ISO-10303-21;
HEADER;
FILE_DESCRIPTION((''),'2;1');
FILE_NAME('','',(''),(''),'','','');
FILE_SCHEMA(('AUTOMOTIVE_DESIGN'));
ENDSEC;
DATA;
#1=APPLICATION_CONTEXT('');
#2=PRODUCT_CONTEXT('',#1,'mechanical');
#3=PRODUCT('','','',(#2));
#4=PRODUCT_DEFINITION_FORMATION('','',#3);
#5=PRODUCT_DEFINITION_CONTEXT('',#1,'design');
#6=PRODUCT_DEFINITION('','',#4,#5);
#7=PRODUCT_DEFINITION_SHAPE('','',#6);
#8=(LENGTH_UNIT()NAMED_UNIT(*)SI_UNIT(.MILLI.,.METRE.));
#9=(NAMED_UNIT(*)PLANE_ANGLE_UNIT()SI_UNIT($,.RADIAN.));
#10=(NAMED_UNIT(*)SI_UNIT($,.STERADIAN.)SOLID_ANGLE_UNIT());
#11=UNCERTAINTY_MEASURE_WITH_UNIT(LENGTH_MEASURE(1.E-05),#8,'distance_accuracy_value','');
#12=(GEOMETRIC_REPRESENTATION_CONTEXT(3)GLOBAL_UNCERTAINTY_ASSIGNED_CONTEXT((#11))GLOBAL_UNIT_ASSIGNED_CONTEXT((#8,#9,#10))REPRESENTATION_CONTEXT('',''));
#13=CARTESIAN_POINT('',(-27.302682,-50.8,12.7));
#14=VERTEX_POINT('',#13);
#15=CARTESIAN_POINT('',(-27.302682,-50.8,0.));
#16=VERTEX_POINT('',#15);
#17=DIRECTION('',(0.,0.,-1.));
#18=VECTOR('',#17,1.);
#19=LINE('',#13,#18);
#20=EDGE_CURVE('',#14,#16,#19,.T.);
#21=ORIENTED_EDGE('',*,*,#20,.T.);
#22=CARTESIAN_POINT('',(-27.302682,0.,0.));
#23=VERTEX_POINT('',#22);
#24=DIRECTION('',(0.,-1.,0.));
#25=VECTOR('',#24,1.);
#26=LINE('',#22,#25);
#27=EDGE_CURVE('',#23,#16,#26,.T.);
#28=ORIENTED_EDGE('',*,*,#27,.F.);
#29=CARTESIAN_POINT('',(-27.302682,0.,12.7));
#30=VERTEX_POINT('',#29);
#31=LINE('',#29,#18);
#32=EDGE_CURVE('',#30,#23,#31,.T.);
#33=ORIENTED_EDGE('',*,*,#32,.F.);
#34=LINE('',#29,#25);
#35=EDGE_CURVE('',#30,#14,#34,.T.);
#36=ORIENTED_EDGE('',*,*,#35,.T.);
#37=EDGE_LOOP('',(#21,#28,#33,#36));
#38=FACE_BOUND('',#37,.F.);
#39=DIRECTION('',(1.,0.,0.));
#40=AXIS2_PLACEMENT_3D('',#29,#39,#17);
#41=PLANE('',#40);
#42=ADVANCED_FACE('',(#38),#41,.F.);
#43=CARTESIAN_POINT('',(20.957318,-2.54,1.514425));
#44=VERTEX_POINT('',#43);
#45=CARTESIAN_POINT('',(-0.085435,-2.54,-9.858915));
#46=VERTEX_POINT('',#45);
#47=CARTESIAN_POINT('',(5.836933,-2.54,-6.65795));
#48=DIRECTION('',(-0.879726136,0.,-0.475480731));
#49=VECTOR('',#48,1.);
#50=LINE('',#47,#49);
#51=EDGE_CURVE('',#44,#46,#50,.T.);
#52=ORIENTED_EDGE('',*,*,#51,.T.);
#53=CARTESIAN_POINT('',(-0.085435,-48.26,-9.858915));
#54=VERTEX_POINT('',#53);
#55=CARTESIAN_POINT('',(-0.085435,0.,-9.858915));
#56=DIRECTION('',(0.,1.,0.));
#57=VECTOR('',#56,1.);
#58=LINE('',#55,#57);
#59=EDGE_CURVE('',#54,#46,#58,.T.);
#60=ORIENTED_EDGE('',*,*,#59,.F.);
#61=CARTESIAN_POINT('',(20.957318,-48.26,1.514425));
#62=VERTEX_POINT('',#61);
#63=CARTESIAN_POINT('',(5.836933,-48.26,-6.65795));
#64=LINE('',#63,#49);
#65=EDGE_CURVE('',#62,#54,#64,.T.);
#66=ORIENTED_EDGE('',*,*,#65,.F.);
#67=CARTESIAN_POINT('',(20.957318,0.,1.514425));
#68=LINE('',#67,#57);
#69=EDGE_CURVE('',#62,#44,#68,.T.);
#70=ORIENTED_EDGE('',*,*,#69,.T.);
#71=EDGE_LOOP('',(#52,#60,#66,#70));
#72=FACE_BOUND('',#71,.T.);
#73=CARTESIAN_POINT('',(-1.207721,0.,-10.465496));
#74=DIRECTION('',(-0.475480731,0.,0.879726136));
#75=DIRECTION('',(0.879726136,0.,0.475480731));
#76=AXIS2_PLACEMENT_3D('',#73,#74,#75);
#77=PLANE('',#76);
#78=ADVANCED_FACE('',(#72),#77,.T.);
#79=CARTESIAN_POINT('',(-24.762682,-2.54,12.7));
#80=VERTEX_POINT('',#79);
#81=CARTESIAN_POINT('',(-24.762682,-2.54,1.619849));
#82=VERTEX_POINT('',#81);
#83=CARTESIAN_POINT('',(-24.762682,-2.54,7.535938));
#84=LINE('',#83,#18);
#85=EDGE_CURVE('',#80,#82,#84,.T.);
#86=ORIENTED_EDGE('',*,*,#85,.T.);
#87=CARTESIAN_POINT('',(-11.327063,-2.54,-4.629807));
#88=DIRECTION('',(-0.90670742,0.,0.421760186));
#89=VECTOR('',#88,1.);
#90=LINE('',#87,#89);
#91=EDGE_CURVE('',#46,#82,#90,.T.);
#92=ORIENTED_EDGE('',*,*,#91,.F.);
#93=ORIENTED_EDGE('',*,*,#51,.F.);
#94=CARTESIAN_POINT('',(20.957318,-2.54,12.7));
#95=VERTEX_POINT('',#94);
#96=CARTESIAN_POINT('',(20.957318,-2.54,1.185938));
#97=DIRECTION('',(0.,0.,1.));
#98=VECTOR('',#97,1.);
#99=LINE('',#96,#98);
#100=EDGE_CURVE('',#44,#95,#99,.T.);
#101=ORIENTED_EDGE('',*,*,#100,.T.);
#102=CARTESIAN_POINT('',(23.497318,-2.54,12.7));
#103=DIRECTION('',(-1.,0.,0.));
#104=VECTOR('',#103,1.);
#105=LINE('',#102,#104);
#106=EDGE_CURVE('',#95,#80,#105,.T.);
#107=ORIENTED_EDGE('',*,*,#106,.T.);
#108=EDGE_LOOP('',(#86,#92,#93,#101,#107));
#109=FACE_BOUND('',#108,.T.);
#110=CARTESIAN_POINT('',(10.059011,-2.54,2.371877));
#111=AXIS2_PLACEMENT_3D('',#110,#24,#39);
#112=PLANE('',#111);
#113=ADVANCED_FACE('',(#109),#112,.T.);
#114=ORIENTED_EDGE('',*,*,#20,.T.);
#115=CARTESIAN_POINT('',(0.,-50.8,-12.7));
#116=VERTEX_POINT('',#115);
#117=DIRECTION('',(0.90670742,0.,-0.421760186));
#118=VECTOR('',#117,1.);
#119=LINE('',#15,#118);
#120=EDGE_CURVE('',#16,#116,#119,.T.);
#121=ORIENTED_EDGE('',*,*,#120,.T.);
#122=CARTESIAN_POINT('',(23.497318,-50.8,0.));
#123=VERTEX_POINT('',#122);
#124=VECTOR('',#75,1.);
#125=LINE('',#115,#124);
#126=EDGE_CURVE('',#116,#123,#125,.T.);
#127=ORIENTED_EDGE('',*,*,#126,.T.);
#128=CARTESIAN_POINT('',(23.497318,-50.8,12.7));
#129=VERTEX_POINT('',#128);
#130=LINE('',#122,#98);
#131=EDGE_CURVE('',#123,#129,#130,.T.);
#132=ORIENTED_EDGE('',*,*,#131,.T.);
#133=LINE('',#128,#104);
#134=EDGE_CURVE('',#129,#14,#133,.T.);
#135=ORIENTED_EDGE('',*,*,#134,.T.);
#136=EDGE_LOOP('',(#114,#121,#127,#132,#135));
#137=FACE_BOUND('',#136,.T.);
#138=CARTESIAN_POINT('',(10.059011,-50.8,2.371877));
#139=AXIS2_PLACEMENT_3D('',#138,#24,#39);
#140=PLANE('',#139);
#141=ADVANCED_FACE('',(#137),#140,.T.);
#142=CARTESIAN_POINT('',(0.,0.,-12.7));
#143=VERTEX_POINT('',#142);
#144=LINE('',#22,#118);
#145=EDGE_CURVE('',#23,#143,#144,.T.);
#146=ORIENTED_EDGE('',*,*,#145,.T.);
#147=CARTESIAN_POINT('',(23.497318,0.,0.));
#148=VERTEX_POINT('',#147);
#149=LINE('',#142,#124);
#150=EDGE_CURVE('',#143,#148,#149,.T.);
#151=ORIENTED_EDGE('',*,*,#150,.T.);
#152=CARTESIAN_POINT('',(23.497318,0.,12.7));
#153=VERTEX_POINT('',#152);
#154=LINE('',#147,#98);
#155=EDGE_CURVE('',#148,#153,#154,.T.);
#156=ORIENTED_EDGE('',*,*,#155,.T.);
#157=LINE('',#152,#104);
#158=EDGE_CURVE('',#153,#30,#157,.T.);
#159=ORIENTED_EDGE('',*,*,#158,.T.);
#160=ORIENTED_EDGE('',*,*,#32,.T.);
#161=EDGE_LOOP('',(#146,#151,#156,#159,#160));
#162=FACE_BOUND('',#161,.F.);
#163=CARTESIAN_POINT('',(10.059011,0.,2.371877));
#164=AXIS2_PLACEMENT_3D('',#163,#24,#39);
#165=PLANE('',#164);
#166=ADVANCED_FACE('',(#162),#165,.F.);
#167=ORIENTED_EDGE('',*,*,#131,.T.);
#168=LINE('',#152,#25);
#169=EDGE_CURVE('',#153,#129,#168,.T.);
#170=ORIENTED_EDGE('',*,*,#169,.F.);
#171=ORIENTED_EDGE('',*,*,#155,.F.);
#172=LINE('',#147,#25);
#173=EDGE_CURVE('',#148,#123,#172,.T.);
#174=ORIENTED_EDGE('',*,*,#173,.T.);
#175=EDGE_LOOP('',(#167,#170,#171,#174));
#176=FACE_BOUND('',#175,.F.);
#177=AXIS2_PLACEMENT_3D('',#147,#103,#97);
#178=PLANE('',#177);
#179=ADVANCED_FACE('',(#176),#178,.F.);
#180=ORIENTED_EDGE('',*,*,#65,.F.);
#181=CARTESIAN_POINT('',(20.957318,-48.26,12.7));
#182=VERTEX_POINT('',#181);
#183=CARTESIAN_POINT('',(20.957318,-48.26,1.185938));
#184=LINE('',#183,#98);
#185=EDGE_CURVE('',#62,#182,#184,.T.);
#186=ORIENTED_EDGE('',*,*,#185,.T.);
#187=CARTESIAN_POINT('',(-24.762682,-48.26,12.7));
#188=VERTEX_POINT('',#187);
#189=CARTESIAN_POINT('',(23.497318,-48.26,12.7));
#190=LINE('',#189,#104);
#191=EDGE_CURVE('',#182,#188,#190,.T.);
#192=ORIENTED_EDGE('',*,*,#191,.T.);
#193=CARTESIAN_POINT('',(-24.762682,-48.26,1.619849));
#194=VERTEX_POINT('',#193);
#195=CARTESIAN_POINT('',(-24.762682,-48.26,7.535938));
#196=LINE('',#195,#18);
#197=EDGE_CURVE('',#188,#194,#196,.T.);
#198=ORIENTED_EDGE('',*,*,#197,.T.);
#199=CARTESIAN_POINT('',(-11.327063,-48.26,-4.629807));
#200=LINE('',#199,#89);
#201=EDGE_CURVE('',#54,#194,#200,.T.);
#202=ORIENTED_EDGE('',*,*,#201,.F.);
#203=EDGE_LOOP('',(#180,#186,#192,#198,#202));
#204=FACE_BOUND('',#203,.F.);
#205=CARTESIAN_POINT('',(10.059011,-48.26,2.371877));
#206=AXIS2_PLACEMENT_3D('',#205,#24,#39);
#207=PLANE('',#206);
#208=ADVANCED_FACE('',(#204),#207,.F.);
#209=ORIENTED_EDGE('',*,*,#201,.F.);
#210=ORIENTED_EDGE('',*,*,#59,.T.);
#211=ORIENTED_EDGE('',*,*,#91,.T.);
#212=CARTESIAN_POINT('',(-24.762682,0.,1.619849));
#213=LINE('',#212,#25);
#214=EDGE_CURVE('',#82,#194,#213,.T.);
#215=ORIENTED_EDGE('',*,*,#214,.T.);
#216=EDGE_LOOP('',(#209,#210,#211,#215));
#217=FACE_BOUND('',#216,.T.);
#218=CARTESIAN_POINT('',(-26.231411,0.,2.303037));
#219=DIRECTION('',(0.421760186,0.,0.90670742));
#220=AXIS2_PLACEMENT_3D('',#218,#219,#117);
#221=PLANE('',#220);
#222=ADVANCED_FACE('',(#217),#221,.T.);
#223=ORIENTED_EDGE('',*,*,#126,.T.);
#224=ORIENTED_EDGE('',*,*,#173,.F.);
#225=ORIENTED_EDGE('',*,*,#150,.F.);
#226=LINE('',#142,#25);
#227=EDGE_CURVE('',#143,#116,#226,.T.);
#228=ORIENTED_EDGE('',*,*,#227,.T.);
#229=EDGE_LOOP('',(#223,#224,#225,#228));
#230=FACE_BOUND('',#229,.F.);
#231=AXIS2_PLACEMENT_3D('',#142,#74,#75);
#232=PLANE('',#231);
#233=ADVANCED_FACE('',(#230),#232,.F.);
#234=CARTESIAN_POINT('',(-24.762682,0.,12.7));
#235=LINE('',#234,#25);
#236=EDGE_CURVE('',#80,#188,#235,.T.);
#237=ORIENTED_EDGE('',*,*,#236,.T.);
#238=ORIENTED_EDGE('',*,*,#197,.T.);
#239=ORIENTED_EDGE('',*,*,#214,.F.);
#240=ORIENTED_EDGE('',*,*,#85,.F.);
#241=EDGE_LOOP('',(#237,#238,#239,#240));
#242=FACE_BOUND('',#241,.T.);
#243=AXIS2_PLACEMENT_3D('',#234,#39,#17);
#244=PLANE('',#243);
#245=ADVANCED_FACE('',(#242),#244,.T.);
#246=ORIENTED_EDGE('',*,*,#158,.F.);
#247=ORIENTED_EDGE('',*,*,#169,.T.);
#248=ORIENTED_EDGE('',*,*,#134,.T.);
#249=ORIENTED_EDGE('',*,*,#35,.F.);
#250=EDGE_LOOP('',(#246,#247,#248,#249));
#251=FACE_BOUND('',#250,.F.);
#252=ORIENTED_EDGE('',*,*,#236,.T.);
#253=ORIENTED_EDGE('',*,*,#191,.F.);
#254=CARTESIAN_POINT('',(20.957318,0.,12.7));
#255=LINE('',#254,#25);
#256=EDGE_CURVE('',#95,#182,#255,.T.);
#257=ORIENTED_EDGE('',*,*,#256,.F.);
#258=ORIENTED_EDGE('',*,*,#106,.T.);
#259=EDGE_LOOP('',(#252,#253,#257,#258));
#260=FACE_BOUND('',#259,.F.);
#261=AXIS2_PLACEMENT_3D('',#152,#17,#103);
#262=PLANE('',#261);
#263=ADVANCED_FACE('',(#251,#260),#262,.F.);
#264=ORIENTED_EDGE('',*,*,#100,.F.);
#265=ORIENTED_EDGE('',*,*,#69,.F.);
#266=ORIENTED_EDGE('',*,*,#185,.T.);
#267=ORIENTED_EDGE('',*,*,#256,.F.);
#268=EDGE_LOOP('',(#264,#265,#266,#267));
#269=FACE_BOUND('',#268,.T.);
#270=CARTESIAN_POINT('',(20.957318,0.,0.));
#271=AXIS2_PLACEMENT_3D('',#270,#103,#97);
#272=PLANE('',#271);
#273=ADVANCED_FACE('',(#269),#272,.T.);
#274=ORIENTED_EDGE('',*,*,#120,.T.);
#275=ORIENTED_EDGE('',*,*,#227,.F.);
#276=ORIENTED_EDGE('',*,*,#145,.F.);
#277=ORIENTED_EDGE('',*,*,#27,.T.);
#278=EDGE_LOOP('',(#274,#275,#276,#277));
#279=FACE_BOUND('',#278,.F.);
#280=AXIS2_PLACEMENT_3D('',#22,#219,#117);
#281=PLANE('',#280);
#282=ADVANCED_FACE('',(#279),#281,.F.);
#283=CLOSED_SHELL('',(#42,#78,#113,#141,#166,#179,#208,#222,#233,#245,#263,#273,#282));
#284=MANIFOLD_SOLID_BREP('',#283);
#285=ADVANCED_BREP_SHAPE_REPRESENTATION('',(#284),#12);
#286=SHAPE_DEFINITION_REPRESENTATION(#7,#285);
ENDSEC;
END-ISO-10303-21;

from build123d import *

# Parameters (mm, degrees)
F1_DEPTH = 50.8
F2_T     = -2.54


with BuildPart() as f1:
    # F0 (on Front) → F1 (new body)
    with BuildSketch(Plane.XZ):
        Polygon((23.497318, 12.7), (0, 12.7), (0, -12.7), (23.497318, 0), align=None)
        Polygon((0, 12.7), (-27.302682, 12.7), (-27.302682, 0), (0, -12.7), align=None)
    extrude(amount=F1_DEPTH)

    # F2
    f2_openings = [f1.faces().sort_by_distance(p)[0] for p in [
        (-1.902682, -25.4, 12.7),
    ]]
    offset(amount=F2_T, openings=f2_openings)


solid = f1.part
